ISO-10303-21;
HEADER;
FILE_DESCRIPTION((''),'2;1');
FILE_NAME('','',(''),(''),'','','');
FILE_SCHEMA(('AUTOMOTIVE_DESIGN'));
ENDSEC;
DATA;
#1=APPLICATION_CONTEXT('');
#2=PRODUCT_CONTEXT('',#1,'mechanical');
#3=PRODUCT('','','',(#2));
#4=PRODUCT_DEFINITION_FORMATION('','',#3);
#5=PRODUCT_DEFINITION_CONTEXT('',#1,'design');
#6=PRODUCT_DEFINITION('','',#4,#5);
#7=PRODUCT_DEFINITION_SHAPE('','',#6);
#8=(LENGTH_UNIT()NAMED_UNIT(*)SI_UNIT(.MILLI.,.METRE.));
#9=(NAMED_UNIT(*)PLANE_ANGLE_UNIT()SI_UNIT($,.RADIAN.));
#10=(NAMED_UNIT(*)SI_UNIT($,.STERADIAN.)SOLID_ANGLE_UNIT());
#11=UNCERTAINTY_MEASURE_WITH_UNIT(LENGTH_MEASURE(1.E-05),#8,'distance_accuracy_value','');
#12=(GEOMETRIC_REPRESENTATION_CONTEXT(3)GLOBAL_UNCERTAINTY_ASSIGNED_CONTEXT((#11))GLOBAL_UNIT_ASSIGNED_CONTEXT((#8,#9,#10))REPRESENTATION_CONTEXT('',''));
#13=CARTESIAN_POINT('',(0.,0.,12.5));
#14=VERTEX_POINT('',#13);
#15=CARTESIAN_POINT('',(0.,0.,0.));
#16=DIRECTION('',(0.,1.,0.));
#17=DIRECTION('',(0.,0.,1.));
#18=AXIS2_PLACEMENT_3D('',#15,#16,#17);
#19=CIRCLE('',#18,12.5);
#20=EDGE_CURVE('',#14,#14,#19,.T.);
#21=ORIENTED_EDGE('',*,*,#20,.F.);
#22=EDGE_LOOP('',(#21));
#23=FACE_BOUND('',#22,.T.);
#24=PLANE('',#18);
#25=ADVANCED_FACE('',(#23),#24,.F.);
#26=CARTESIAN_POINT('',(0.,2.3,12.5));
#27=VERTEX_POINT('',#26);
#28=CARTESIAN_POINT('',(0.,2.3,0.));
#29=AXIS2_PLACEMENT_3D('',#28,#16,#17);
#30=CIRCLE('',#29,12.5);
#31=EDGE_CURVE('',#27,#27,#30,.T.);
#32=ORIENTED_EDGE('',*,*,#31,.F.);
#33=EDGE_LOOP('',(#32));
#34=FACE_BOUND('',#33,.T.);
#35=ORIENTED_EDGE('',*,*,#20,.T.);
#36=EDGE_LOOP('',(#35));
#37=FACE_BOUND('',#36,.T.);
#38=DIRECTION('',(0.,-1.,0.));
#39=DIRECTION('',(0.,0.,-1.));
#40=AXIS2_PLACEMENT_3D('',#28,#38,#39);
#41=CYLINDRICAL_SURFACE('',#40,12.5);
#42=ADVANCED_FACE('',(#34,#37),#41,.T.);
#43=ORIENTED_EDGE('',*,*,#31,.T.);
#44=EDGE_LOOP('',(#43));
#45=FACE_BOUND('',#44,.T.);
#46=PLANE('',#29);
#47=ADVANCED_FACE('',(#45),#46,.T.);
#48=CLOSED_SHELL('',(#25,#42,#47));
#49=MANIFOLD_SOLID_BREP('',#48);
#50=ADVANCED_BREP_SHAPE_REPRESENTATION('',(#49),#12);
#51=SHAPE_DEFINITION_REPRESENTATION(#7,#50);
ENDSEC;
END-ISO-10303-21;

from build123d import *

# Parameters (mm, degrees)
SKETCH_1_R      = 12.5
EXTRUDE_1_DEPTH = 2.3


with BuildPart() as part:
    # 草图1 → 凸台-拉伸1 (new body)
    with BuildSketch(Plane(origin=(0, 0, 0), x_dir=(1, 0, 0), z_dir=(0, 1, 0))):
        with Locations(Location((0, 0, 0), (0, 0, 270))):  # turned: the seam where the file's is
            Circle(SKETCH_1_R)
    extrude(amount=EXTRUDE_1_DEPTH)


solid = part.part
